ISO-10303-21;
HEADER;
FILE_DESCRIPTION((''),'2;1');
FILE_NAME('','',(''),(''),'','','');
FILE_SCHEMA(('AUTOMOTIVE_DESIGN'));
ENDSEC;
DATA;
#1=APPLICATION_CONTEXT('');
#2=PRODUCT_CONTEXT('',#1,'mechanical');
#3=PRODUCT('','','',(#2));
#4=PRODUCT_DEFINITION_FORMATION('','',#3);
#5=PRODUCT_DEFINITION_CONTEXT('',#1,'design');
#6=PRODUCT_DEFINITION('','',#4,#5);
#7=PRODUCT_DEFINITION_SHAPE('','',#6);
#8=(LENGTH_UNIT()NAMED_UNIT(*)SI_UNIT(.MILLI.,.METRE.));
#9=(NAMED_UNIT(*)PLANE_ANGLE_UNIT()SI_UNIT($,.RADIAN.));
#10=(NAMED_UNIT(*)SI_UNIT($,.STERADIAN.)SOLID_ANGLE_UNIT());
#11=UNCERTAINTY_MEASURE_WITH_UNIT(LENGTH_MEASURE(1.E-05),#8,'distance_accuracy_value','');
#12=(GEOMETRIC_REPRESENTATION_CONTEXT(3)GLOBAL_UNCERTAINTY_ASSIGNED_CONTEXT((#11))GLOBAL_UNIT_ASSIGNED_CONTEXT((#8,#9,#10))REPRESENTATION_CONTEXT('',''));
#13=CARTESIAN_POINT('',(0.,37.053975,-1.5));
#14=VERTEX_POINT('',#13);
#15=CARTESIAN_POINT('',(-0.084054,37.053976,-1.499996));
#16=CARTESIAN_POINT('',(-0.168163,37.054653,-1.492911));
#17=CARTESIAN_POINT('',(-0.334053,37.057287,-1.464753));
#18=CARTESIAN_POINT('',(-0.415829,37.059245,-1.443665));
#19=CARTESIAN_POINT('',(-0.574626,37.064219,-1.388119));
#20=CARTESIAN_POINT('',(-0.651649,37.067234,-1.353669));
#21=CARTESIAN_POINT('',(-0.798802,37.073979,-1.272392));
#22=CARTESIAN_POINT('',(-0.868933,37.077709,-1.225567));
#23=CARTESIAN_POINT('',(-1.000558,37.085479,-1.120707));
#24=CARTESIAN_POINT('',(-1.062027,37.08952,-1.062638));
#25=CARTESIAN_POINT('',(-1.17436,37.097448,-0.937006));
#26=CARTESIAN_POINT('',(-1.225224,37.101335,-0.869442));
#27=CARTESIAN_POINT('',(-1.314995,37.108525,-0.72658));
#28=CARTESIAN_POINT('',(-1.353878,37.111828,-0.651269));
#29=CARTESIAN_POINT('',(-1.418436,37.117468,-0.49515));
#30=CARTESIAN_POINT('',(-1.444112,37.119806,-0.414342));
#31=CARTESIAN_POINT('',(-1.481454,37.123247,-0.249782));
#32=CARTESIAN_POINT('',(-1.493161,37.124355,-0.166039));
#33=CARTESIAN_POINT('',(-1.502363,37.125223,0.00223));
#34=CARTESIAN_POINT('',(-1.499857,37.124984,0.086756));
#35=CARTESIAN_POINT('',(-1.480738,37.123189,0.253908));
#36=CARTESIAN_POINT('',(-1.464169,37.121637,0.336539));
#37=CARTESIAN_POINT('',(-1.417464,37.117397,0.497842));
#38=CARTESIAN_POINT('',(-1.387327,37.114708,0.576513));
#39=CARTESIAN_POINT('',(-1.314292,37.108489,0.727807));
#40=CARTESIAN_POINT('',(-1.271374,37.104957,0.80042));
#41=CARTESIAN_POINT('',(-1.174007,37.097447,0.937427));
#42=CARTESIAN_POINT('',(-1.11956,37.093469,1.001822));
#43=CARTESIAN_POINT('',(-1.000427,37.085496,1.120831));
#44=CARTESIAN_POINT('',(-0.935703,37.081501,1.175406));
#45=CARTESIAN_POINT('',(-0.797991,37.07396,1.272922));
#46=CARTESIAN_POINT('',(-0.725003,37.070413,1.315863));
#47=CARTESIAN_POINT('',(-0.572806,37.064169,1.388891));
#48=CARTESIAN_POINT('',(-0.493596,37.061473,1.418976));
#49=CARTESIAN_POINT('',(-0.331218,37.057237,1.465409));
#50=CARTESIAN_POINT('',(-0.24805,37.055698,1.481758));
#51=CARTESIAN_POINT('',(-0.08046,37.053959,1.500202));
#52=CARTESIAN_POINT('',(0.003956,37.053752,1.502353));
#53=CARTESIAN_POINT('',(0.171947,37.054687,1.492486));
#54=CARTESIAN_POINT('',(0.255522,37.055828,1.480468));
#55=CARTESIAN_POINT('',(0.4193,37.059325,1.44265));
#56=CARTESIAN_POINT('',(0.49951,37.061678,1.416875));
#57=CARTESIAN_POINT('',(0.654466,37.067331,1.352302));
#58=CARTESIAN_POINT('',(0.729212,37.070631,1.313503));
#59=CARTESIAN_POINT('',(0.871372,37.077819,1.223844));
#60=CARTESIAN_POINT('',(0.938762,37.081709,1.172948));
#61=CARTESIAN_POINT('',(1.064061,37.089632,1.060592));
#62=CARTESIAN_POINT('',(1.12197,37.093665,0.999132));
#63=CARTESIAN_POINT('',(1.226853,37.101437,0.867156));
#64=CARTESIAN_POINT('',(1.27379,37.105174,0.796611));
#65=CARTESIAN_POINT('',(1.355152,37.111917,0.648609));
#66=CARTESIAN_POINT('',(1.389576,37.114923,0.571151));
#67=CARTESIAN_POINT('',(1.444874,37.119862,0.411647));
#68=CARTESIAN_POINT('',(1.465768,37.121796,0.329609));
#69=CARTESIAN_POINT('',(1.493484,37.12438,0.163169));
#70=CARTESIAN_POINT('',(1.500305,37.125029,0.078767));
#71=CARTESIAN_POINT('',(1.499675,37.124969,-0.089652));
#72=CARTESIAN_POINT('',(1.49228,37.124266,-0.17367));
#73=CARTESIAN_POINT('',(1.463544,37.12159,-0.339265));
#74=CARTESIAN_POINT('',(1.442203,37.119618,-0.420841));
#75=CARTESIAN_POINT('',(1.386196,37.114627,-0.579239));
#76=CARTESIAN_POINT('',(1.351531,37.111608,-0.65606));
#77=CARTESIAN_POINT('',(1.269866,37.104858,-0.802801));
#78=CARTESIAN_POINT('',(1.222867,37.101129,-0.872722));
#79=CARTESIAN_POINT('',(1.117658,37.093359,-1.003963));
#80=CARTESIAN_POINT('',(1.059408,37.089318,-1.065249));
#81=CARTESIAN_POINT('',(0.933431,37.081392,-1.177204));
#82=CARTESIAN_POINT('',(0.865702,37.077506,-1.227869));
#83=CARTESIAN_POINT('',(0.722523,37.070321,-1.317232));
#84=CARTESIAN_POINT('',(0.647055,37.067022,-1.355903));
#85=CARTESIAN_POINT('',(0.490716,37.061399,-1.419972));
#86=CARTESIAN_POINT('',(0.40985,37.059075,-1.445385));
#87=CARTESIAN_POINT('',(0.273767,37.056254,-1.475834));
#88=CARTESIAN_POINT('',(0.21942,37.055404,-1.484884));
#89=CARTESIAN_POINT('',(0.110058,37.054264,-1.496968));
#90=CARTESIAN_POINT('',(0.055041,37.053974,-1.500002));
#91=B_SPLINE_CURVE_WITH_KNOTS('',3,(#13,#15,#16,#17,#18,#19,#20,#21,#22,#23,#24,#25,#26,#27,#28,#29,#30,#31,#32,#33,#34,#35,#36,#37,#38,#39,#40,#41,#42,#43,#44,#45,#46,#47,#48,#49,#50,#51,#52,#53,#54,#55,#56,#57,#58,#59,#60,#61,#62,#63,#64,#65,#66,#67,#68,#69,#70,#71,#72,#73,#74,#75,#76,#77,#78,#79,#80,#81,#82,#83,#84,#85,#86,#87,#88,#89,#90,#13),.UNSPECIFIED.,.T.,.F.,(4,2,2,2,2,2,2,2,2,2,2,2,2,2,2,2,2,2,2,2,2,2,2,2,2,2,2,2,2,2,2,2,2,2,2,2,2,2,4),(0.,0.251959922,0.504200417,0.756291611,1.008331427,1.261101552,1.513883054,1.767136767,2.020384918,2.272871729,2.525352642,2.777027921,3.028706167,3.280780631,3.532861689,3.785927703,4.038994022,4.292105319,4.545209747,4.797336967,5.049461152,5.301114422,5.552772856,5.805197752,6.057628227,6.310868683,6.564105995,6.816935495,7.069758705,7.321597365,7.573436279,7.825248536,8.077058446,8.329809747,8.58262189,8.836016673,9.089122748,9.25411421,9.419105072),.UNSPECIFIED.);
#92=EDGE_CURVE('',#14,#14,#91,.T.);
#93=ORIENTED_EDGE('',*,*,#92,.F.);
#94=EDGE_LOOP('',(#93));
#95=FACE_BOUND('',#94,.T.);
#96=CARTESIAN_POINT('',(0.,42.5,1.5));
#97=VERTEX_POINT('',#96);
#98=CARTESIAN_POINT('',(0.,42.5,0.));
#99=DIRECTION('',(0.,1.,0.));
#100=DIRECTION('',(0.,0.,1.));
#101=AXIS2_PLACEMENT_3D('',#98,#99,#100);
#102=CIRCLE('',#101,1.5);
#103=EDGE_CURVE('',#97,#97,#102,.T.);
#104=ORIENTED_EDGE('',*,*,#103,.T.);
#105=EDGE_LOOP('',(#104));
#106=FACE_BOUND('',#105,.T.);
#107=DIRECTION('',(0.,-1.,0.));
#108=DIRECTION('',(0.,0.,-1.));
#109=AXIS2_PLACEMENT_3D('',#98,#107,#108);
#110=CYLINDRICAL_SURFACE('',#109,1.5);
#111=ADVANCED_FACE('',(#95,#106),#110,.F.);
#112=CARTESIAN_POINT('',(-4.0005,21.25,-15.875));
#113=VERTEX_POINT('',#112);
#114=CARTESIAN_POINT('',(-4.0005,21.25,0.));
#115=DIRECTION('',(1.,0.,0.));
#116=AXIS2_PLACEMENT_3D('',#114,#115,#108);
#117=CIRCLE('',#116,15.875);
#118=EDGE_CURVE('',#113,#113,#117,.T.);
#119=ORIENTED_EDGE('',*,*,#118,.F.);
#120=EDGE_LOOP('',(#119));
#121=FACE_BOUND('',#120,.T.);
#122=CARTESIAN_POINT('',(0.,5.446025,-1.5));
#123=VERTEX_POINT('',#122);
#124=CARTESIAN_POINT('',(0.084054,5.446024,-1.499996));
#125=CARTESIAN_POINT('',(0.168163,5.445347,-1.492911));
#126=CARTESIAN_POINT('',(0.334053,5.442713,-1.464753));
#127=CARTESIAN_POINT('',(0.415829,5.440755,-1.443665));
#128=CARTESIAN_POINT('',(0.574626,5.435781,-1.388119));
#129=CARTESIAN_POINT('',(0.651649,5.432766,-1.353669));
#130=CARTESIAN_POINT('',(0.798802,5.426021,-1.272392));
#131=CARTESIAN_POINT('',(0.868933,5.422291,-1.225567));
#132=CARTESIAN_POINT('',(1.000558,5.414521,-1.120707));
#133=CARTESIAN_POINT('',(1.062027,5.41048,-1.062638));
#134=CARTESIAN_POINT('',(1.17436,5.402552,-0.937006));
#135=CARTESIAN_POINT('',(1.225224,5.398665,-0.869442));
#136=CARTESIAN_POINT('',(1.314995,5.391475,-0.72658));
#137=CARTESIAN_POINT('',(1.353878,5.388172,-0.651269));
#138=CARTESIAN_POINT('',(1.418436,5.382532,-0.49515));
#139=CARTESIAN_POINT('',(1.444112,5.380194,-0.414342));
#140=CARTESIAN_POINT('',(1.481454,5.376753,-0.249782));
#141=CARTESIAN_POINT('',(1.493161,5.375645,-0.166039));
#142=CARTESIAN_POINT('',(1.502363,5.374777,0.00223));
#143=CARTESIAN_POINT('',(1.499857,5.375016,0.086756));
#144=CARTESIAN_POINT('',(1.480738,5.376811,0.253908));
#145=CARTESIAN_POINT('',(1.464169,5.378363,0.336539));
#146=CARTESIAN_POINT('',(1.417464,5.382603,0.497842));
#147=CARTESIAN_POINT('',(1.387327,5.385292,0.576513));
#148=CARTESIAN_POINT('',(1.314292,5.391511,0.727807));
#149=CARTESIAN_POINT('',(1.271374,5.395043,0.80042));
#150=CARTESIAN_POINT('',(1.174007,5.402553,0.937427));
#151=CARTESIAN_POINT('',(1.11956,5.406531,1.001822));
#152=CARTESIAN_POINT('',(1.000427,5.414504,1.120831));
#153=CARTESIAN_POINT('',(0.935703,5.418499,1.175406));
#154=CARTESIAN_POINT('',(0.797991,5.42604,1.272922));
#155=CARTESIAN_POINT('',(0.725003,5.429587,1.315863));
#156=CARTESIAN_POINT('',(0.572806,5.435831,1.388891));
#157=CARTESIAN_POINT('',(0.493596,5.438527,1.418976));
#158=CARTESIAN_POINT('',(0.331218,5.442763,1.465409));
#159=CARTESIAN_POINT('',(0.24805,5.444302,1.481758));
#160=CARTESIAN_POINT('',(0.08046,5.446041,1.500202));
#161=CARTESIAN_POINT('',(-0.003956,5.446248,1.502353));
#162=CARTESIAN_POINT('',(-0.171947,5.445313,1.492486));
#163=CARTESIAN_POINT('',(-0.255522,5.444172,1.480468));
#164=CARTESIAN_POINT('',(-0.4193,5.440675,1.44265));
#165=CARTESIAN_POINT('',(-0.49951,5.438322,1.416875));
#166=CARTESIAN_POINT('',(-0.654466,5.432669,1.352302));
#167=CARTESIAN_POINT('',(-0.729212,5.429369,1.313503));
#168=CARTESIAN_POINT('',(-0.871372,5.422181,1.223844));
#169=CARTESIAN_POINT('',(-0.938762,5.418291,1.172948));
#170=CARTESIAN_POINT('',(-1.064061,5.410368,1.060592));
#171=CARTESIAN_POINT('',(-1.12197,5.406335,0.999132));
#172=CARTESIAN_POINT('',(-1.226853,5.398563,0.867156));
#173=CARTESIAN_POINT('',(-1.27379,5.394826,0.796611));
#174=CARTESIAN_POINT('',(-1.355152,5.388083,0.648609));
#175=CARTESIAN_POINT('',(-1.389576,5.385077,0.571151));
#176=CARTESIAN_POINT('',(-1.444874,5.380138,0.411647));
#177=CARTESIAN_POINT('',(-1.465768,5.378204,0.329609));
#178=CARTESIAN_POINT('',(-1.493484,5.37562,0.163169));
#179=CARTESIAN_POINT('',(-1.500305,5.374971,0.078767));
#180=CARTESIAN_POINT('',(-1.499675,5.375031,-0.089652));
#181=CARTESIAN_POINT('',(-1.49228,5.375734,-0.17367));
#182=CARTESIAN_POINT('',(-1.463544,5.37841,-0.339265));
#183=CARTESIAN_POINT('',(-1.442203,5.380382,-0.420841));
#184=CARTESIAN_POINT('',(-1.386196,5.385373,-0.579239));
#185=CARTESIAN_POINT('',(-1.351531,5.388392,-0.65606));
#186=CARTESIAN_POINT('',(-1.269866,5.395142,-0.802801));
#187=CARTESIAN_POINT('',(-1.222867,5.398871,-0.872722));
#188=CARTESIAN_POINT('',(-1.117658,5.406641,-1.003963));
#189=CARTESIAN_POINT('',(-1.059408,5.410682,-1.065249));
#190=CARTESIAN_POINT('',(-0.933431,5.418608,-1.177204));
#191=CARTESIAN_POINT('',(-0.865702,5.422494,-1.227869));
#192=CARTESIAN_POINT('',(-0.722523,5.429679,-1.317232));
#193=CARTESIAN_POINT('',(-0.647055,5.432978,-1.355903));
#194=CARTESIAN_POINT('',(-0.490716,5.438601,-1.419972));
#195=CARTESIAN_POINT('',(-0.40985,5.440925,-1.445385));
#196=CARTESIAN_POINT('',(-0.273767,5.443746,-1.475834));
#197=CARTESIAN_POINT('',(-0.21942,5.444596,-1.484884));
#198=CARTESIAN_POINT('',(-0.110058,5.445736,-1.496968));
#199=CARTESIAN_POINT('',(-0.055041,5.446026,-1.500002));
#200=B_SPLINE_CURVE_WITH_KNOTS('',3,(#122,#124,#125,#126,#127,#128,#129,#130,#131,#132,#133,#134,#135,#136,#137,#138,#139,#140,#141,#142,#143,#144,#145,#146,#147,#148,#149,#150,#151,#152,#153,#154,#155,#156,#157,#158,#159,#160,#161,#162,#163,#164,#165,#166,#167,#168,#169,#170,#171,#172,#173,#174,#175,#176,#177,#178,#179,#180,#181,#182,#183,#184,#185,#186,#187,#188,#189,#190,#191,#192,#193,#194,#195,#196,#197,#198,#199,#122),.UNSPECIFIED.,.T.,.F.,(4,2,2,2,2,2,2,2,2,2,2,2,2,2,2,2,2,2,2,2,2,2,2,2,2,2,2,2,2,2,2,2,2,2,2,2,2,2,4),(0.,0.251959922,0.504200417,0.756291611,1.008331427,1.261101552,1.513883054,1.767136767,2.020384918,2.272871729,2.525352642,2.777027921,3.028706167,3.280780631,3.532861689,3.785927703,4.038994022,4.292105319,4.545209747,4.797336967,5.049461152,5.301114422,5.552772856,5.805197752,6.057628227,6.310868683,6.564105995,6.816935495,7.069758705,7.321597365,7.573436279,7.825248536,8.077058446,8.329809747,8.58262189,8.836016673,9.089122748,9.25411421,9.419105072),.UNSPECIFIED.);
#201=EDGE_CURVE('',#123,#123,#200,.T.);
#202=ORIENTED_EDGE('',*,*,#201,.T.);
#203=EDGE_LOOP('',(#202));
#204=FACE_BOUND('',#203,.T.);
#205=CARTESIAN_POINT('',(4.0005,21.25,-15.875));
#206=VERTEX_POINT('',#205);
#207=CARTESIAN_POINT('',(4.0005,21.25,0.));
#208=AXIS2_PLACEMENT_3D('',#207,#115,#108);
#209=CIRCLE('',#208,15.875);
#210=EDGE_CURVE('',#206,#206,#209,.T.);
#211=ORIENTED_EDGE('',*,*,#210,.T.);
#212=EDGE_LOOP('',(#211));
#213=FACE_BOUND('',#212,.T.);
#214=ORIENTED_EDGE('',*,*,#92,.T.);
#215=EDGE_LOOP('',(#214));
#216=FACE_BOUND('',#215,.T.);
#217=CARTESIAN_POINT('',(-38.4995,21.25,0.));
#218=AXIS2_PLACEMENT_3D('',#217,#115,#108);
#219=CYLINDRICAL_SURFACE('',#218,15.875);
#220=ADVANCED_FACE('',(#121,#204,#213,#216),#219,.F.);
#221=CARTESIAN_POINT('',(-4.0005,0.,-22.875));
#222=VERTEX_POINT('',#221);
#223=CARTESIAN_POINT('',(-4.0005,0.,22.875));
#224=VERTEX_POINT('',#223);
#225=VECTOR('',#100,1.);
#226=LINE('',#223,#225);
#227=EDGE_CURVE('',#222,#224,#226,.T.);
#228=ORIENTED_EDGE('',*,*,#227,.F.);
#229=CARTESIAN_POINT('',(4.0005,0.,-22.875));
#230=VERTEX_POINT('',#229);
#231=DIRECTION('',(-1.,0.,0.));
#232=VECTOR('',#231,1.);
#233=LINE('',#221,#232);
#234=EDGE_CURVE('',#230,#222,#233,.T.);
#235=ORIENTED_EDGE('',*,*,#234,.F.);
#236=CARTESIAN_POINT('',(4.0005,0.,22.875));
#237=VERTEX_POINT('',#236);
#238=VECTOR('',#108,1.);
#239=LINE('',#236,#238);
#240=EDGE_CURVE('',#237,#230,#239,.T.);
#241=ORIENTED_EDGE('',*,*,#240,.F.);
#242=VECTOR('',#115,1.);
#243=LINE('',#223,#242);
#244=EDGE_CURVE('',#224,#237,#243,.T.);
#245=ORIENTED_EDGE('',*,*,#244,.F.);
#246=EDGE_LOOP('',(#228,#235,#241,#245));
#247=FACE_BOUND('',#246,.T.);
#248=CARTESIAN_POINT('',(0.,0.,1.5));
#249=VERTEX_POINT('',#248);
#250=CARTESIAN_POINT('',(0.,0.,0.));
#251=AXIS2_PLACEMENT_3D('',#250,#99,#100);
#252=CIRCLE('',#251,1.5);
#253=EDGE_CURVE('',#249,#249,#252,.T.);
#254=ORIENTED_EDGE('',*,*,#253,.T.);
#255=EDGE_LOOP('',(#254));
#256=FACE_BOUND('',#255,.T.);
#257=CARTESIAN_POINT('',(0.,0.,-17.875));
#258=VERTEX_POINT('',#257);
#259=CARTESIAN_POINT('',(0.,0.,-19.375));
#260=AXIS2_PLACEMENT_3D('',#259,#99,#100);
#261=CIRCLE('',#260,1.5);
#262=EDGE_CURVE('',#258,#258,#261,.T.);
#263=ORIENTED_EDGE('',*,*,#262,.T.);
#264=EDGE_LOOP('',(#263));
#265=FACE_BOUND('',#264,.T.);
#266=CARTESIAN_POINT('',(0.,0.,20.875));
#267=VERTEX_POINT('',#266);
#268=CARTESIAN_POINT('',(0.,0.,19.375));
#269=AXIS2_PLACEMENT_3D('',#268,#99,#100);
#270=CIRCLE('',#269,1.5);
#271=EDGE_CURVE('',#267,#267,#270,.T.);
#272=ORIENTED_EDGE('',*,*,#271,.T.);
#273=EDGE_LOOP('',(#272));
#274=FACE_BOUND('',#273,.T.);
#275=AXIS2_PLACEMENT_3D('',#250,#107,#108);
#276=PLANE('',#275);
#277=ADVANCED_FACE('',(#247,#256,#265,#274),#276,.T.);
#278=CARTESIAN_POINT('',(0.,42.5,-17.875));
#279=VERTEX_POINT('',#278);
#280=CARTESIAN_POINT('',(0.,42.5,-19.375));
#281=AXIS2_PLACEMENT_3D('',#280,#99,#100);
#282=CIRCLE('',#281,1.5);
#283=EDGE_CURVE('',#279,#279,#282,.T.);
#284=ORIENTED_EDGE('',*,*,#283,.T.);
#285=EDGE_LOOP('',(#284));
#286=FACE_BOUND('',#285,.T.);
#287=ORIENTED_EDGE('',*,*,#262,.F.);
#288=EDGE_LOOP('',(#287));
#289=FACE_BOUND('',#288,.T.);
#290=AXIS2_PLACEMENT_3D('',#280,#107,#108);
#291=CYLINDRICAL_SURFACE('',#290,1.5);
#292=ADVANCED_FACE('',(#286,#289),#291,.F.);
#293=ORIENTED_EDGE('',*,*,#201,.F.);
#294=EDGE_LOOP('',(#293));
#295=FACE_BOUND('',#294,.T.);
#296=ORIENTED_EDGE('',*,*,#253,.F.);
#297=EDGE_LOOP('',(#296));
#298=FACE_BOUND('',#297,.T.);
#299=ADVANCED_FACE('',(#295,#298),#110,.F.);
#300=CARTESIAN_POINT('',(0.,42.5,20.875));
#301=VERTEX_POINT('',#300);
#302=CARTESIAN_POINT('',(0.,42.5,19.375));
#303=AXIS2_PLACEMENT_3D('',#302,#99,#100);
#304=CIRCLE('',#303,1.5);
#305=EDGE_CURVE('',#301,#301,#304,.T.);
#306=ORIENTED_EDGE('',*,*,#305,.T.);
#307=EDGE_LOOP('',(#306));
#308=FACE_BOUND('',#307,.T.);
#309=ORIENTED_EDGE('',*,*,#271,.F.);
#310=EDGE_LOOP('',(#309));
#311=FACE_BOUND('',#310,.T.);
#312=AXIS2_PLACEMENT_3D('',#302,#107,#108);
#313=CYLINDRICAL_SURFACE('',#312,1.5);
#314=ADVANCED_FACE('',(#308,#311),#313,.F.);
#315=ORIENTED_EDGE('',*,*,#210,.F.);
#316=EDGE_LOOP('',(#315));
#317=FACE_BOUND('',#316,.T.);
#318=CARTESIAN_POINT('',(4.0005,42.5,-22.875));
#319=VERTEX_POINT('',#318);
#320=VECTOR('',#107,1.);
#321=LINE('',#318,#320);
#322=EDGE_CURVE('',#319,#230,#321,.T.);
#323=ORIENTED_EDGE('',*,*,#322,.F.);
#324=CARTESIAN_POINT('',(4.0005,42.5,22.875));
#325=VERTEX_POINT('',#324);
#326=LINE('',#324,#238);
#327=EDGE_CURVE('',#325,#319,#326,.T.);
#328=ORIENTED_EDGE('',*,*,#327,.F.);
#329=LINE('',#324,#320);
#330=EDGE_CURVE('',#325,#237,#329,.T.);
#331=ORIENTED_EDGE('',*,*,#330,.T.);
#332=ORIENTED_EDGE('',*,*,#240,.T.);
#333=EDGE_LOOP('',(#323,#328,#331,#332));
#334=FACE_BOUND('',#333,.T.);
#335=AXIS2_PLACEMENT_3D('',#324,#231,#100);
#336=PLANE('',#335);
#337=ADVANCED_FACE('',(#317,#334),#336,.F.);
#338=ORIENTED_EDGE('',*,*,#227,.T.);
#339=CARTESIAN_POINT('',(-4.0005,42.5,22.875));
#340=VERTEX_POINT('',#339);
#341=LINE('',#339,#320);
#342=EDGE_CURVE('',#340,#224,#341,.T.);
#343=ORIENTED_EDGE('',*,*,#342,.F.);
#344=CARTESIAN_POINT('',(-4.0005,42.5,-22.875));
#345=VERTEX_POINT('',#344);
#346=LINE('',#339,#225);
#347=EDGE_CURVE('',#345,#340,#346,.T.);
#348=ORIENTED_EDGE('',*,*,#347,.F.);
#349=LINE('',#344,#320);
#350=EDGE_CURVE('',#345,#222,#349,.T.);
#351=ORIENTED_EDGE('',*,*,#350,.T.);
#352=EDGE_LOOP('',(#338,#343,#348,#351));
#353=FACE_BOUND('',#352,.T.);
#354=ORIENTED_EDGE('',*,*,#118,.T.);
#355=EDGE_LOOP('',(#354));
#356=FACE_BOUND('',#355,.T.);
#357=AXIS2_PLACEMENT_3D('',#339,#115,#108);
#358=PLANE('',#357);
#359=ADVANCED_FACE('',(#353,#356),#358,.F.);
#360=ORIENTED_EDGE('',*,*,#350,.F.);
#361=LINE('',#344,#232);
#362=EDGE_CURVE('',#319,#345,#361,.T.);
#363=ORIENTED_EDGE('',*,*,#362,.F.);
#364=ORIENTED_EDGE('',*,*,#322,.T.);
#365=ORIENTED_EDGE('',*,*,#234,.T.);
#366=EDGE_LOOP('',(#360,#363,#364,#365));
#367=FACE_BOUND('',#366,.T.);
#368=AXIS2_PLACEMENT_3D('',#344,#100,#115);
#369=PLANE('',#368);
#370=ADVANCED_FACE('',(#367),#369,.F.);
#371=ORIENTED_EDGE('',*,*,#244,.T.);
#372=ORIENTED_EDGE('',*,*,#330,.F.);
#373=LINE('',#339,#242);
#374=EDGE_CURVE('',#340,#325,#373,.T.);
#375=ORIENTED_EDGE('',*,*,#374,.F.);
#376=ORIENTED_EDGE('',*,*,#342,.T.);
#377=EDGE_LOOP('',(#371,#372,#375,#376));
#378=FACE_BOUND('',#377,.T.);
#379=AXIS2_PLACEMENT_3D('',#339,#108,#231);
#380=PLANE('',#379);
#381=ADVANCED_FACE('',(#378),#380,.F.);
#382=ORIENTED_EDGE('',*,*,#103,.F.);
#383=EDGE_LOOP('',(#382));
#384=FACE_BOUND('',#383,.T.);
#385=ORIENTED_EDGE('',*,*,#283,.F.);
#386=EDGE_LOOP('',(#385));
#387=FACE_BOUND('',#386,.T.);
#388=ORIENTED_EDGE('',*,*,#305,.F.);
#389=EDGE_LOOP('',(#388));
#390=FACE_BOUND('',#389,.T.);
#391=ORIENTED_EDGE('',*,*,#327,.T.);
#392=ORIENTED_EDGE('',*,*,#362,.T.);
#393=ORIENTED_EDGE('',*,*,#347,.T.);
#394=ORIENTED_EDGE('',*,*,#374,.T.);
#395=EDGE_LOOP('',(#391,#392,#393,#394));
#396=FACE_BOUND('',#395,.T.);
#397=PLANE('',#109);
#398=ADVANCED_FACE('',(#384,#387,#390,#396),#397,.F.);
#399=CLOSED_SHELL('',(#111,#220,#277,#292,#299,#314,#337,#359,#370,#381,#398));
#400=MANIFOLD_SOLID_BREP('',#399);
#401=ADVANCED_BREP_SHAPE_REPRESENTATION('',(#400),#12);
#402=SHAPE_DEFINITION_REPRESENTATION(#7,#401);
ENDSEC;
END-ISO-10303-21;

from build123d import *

# Parameters (mm, degrees)
SKETCH2_W           = 8.001
SKETCH2_H           = 45.75
SKETCH2_R           = 1.5
BOSS_EXTRUDE1_DEPTH = 42.5
SKETCH3_R           = 15.875
CUT_EXTRUDE1_DEPTH  = 42.5


with BuildPart() as part:
    # Sketch2 → Boss-Extrude1 (new body)
    with BuildSketch(Plane(origin=(0, 0, 0), x_dir=(1, 0, 0), z_dir=(0, 1, 0))):
        Rectangle(SKETCH2_W, SKETCH2_H)
        Circle(SKETCH2_R, mode=Mode.SUBTRACT)
        with Locations((0, 19.375)):
            Circle(SKETCH2_R, mode=Mode.SUBTRACT)
        with Locations((0, -19.375)):
            Circle(SKETCH2_R, mode=Mode.SUBTRACT)
    extrude(amount=BOSS_EXTRUDE1_DEPTH)

    # Sketch3 → Cut-Extrude1 (cut)
    with BuildSketch(Plane(origin=(4.0005, 0, 0), x_dir=(0, 0, -1), z_dir=(1, 0, 0))):
        with Locations((0, 21.25)):
            Circle(SKETCH3_R)
    extrude(amount=-CUT_EXTRUDE1_DEPTH, mode=Mode.SUBTRACT)


solid = part.part
